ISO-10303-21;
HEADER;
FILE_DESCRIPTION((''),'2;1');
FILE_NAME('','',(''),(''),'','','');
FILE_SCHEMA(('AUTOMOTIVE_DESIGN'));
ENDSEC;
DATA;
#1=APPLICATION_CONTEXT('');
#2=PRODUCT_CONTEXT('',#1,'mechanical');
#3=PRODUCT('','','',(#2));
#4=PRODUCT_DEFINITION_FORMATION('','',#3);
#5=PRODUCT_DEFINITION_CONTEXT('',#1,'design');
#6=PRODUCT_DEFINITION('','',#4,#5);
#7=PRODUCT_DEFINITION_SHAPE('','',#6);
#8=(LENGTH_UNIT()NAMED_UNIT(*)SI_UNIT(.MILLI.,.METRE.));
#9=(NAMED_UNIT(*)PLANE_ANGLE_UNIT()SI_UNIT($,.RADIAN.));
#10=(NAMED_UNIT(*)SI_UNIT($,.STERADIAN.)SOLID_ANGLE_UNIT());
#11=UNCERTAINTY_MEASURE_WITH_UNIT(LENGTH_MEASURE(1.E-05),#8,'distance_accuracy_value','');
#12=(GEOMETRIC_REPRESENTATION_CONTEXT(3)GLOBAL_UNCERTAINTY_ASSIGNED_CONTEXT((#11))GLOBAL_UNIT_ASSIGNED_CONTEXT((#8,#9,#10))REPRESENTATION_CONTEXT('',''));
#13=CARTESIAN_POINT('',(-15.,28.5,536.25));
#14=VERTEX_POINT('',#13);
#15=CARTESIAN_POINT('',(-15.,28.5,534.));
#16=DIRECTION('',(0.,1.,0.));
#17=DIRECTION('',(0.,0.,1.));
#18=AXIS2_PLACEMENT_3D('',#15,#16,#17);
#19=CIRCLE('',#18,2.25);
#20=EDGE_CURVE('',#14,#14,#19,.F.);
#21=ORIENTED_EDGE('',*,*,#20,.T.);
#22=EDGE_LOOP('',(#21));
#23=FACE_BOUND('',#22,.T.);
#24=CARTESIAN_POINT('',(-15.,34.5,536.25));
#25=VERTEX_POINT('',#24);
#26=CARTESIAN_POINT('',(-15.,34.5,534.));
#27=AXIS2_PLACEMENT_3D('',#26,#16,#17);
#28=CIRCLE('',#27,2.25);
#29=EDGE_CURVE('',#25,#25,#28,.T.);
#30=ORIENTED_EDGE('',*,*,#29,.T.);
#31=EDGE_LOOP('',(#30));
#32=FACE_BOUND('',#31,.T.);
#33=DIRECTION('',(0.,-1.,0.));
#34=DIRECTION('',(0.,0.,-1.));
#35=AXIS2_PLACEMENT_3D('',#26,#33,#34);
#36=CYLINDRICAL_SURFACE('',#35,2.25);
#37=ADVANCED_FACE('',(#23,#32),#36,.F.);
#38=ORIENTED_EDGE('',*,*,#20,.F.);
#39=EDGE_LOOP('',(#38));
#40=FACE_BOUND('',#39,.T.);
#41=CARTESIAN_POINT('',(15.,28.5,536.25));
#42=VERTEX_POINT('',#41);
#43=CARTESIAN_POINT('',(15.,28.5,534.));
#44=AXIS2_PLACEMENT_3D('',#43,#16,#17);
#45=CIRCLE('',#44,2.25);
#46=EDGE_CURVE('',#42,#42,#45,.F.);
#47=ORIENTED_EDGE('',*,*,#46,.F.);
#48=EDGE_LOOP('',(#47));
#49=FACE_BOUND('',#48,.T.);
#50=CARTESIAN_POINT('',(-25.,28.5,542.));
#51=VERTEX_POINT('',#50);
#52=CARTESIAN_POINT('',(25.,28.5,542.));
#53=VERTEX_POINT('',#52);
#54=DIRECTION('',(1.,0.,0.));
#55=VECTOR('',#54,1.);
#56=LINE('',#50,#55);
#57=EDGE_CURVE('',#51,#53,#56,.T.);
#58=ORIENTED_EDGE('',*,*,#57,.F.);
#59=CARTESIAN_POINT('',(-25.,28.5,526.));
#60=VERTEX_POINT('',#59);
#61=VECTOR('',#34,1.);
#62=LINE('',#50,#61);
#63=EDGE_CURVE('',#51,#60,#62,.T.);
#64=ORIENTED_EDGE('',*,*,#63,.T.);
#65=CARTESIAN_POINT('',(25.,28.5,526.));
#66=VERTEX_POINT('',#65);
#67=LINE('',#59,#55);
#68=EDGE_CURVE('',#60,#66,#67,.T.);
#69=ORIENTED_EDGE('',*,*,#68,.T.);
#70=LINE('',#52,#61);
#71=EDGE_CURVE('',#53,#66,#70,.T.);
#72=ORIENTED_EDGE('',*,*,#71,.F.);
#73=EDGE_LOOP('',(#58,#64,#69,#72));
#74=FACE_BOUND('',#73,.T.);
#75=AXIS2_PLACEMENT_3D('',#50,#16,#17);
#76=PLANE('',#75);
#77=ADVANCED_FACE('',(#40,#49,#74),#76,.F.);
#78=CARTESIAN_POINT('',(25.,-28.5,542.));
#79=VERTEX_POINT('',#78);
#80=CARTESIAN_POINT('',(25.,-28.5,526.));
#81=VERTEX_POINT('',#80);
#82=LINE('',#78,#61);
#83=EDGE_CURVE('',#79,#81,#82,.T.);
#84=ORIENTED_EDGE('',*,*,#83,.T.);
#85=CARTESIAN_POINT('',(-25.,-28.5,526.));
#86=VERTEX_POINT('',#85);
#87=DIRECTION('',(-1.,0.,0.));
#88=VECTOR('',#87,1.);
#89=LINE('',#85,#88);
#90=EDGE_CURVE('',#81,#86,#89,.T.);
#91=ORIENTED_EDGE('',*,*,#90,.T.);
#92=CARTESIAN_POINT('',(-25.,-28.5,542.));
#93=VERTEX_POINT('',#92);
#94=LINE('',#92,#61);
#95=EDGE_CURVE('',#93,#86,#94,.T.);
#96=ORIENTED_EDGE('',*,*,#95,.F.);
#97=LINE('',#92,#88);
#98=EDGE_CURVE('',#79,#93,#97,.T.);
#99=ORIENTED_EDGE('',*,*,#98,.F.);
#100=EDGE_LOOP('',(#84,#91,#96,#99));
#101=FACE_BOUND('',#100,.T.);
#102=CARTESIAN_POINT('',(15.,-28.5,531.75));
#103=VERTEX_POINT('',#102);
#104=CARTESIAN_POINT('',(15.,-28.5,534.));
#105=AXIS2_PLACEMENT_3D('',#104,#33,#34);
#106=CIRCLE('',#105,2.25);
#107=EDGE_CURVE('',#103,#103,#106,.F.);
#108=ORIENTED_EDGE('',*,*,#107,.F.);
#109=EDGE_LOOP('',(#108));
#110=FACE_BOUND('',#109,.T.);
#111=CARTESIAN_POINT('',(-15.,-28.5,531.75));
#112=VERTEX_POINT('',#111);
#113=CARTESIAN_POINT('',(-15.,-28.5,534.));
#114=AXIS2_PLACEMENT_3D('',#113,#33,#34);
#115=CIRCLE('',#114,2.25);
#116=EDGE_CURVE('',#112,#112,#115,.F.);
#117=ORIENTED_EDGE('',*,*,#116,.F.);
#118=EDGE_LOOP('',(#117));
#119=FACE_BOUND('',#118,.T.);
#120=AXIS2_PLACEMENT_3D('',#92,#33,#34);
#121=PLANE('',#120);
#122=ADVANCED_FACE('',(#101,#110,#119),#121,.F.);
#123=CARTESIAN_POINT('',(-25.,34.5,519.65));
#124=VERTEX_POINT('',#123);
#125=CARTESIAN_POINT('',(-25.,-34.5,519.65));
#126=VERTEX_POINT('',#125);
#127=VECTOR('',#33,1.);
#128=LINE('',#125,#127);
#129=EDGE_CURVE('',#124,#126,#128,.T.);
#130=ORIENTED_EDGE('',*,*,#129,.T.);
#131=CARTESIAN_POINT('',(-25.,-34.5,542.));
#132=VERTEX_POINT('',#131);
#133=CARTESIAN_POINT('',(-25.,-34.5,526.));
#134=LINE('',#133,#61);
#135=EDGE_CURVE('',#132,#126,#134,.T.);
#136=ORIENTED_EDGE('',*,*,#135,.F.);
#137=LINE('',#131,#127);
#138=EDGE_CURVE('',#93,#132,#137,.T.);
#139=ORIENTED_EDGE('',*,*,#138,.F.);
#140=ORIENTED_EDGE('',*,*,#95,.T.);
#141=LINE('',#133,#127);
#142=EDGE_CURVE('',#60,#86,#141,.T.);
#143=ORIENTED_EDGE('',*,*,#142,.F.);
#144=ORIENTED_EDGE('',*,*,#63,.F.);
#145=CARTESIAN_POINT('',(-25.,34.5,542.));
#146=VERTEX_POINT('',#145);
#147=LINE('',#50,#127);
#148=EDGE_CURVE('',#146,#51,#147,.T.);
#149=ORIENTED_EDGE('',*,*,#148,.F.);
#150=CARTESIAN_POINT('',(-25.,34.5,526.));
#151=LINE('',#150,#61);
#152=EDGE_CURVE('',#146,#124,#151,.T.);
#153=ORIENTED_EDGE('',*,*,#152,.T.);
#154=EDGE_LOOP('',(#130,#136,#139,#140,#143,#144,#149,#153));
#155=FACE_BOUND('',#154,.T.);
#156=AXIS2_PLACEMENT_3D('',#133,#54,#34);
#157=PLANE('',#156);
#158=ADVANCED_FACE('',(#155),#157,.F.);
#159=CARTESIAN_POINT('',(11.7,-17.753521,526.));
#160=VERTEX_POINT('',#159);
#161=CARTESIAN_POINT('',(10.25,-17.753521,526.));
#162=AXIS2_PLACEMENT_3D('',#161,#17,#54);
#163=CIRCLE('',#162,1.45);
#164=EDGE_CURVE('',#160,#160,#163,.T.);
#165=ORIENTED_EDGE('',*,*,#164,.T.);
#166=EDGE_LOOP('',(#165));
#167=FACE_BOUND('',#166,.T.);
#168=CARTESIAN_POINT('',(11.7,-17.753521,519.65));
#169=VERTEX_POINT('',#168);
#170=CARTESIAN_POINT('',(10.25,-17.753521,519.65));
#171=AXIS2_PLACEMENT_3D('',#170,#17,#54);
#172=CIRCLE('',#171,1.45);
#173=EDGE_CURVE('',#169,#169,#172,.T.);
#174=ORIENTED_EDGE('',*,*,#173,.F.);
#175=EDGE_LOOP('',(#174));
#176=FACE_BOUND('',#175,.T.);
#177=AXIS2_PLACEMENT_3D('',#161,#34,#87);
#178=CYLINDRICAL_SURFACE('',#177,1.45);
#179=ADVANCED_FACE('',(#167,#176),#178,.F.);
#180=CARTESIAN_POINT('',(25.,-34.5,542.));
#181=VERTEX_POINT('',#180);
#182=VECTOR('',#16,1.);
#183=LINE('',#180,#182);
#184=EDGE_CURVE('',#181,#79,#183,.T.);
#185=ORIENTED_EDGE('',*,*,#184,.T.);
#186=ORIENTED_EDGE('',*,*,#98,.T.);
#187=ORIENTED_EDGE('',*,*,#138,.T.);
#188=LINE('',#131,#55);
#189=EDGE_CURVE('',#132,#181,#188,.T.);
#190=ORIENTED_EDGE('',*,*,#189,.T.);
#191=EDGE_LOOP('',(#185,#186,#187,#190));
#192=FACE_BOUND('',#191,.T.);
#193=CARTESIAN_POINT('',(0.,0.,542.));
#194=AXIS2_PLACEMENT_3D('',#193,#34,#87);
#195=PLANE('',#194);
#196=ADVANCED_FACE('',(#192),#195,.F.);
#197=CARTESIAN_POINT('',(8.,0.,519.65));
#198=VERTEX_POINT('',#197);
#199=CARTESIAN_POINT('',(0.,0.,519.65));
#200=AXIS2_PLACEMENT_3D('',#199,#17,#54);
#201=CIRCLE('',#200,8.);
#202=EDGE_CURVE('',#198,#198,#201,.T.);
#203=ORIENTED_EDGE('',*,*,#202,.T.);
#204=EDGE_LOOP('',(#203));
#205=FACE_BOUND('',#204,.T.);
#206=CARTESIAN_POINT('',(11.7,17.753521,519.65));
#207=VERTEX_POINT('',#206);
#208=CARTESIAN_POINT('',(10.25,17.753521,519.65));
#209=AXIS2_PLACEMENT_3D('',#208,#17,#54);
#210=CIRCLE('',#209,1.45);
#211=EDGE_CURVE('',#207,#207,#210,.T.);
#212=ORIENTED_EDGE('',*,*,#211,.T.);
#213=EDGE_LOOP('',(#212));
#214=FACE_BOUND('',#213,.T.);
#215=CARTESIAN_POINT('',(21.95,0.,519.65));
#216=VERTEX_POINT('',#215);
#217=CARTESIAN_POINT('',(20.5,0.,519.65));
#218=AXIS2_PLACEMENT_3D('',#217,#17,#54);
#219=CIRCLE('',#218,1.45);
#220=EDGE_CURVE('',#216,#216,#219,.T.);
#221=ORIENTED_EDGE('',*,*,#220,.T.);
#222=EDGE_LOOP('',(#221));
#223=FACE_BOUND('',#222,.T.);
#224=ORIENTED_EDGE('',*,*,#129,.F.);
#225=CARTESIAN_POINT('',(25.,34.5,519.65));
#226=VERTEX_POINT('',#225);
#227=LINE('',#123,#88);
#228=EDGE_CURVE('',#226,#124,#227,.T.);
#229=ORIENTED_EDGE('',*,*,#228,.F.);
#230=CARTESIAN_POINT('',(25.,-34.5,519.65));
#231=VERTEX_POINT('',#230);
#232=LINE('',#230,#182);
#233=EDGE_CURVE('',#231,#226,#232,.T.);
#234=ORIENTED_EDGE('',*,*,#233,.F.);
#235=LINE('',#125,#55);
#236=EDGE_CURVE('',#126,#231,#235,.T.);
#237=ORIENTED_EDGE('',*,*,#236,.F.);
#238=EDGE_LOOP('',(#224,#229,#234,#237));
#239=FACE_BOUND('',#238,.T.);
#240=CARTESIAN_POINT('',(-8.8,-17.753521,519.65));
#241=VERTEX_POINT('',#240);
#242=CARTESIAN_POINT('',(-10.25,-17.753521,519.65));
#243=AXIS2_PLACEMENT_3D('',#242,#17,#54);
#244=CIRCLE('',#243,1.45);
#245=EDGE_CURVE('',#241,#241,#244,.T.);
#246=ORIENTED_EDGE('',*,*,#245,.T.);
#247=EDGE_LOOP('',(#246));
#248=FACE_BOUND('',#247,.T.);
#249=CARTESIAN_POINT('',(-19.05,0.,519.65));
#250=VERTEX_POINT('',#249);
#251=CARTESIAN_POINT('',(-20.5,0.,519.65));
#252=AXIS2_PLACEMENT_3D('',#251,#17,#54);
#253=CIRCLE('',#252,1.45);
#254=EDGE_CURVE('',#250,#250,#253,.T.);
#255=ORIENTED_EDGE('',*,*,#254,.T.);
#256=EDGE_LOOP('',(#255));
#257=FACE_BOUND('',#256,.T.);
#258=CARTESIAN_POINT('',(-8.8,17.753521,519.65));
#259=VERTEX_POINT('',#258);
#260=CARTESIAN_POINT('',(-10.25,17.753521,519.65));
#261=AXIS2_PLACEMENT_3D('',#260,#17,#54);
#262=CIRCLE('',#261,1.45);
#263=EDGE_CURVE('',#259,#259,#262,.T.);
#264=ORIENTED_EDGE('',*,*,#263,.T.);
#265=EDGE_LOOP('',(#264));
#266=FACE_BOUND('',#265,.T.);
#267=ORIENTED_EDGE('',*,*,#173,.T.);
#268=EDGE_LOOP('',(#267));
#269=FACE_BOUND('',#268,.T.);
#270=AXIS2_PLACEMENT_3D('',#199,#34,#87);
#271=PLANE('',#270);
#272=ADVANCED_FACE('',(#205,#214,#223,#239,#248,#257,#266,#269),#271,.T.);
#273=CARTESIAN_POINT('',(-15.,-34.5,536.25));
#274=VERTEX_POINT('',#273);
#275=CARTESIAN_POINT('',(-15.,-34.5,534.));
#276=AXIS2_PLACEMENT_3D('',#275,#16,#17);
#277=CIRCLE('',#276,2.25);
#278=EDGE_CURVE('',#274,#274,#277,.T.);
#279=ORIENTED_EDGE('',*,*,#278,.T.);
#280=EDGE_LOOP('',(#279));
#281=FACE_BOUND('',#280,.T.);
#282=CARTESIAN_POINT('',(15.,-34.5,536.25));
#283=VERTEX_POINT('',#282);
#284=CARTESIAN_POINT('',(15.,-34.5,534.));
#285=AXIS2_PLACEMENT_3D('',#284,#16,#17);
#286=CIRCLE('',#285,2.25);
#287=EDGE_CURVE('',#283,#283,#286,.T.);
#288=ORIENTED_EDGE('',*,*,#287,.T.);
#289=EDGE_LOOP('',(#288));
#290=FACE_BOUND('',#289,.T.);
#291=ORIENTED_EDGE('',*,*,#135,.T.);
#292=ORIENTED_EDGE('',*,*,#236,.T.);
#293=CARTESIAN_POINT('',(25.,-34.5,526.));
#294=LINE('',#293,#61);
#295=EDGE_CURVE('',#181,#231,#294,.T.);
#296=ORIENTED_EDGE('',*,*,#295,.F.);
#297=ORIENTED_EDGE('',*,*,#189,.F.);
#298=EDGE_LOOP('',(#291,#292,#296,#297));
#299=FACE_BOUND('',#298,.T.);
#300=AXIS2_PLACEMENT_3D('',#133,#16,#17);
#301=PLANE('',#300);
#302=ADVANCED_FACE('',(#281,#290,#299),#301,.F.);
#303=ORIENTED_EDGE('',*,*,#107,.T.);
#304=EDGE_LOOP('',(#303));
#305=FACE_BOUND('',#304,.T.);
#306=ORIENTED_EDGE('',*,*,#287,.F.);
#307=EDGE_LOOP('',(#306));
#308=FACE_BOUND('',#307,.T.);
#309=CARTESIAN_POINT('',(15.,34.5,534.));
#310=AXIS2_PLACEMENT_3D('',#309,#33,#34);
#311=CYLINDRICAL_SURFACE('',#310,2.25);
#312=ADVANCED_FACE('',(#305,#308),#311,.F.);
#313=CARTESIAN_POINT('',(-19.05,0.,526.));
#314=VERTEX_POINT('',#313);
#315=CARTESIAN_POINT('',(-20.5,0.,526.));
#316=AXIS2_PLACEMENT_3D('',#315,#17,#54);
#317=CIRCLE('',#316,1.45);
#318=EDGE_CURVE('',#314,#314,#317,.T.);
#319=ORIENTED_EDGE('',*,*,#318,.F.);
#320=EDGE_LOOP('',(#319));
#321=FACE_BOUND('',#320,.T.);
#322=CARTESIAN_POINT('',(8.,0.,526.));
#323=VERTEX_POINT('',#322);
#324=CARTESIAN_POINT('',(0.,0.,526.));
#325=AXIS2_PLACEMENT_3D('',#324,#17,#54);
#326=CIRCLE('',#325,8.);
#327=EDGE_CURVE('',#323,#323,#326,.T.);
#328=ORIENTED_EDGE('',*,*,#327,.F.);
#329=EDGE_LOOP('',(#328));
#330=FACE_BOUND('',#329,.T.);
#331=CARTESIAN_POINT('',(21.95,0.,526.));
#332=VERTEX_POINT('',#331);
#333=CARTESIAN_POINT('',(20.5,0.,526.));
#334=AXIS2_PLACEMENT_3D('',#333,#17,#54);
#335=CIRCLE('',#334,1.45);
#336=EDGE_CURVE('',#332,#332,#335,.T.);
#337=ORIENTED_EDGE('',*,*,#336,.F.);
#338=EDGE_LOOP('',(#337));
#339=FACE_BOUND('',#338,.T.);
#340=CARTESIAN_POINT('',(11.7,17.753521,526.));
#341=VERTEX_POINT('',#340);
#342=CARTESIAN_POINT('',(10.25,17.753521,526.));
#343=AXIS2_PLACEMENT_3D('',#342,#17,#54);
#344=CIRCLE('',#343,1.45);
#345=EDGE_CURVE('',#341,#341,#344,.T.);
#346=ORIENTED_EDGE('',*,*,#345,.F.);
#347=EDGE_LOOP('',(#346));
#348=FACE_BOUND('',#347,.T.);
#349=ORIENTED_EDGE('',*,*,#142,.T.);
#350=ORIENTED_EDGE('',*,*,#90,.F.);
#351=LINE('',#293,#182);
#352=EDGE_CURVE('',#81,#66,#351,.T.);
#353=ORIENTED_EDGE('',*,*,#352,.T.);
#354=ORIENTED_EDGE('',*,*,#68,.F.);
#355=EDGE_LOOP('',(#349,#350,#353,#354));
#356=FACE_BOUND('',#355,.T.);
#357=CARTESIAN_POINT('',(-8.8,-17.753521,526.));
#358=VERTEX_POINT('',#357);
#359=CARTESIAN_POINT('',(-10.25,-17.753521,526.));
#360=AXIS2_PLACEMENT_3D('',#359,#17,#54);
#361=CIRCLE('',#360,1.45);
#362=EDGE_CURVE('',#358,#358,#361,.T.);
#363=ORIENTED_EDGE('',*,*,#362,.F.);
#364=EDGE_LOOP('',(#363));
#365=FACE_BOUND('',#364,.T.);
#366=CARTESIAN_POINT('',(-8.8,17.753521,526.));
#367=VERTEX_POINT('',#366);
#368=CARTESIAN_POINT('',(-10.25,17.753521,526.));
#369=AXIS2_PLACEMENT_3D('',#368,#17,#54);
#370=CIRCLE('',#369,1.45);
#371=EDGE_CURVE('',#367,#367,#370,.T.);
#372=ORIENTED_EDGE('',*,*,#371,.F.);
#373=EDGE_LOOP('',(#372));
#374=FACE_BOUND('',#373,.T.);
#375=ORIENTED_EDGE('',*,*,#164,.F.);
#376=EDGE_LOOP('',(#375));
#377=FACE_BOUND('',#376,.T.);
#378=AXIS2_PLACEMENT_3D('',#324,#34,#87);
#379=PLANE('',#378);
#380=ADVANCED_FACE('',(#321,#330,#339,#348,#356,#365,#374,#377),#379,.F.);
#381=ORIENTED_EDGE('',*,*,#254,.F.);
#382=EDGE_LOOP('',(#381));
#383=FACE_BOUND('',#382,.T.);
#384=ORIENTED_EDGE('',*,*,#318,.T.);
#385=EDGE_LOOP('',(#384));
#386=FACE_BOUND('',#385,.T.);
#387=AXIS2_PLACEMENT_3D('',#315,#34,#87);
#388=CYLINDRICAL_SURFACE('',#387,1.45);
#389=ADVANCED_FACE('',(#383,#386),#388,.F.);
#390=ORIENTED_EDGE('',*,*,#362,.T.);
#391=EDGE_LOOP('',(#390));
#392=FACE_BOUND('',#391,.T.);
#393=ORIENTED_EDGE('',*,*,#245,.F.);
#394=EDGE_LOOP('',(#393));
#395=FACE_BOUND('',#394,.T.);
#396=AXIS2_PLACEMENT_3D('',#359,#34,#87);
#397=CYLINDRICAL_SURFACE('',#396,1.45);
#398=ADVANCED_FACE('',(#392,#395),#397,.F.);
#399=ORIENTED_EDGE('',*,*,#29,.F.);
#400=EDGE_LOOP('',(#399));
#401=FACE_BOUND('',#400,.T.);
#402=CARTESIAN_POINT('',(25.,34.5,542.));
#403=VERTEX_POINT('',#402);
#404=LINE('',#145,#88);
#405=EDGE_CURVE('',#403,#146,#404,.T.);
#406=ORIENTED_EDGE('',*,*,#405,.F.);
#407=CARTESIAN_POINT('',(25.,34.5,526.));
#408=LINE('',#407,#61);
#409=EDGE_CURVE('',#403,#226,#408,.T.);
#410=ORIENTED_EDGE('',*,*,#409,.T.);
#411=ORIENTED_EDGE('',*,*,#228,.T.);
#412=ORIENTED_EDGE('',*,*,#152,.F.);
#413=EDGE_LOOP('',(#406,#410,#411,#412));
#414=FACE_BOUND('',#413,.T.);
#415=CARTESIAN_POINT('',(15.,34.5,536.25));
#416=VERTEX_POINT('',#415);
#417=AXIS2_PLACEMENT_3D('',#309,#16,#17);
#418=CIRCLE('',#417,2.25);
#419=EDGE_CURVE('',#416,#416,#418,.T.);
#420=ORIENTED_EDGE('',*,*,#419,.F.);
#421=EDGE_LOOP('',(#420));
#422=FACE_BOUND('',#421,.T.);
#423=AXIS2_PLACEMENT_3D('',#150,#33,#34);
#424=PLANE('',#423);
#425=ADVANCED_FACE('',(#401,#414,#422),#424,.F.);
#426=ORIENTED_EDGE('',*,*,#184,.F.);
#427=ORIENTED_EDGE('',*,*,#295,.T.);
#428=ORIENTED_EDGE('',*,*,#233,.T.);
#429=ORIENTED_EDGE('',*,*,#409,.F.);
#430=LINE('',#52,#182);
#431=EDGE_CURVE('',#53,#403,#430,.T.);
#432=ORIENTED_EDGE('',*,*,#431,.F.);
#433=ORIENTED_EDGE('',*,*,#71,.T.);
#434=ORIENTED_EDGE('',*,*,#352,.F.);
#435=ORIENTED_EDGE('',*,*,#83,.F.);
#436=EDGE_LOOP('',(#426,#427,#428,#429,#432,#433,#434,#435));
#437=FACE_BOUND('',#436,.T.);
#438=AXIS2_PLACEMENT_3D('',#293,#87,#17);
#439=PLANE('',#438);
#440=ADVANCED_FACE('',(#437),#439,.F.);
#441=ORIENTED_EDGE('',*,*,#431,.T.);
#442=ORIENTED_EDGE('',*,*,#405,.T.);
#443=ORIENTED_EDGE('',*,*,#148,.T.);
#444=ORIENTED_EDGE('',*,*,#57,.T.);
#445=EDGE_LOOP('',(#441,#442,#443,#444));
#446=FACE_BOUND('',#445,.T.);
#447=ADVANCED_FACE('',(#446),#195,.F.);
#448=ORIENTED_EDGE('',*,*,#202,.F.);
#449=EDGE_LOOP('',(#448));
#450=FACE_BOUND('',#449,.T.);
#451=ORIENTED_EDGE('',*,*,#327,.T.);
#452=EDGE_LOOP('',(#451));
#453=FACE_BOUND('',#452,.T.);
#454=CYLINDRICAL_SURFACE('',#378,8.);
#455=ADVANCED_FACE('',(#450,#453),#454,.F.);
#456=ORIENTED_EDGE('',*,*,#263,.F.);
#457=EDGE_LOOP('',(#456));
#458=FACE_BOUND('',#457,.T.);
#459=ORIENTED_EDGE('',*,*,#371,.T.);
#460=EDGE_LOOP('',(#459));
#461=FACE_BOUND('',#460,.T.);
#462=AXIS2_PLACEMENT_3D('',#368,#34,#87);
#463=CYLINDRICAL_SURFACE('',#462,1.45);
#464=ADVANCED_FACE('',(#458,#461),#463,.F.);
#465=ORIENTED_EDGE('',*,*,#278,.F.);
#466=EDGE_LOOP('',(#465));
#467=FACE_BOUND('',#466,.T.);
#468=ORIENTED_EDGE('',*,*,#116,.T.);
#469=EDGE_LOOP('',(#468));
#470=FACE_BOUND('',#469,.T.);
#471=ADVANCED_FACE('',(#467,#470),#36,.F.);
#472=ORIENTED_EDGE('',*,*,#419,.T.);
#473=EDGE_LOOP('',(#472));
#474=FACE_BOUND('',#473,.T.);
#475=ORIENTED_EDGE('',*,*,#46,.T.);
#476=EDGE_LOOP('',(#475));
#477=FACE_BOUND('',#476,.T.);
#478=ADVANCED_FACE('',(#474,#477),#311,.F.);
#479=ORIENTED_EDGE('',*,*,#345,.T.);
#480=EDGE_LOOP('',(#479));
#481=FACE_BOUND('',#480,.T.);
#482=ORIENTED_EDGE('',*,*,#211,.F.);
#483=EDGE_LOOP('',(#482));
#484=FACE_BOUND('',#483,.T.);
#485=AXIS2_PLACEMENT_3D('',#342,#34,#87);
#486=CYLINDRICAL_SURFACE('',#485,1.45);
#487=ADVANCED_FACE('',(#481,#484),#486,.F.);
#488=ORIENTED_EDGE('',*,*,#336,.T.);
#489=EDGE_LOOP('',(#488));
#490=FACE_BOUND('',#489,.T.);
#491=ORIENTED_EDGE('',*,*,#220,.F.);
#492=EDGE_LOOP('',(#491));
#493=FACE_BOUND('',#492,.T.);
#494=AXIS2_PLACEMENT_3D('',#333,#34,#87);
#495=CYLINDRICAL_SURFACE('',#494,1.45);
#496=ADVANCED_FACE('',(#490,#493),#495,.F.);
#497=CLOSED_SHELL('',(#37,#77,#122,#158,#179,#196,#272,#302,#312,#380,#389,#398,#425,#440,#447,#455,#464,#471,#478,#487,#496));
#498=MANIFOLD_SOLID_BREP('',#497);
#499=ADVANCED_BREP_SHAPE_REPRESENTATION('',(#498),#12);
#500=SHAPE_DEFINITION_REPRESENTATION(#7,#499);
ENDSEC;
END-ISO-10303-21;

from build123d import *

# Parameters (mm, degrees)
REPISA_START                   = 519.65
SK_REPISA_W                    = 50
SK_REPISA_H                    = 69
REPISA_DEPTH                   = 6.35
CENTRO_MOTOR_START             = 519.65
SK_CENTRO_MOTOR_R              = 8
CENTRO_MOTOR_DEPTH             = 6.35
PASANTES_M2_5_ESTATOR_J6_START = 519.65
SK_PASANTES_M2_5_ESTATOR_J6_R  = 1.45
PASANTES_M2_5_ESTATOR_J6_DEPTH = 6.35
PESTANAS_START                 = 526
SK_PESTANAS_W                  = 50
SK_PESTANAS_H                  = 6
PESTANAS_DEPTH                 = 16
PASANTES_M4_PESTANAS_START     = -34.5
SK_PASANTES_M4_PESTANAS_R      = 2.25
PASANTES_M4_PESTANAS_DEPTH     = 69


with BuildPart() as part:
    # Sk_Repisa → Repisa (new body)
    with BuildSketch(Plane.XY.offset(REPISA_START)):
        Rectangle(SK_REPISA_W, SK_REPISA_H)
    extrude(amount=REPISA_DEPTH)

    # Sk_Centro_motor → Centro_motor (cut)
    with BuildSketch(Plane.XY.offset(CENTRO_MOTOR_START)):
        Circle(SK_CENTRO_MOTOR_R)
    extrude(amount=CENTRO_MOTOR_DEPTH, mode=Mode.SUBTRACT)

    # Sk_Pasantes_M2-5_estator_J6 → Pasantes_M2-5_estator_J6 (cut)
    with BuildSketch(Plane.XY.offset(PASANTES_M2_5_ESTATOR_J6_START)):
        with Locations((20.5, 0)):
            Circle(SK_PASANTES_M2_5_ESTATOR_J6_R)
        with Locations((10.25, 17.753520778)):
            Circle(SK_PASANTES_M2_5_ESTATOR_J6_R)
        with Locations((-10.25, 17.753520778)):
            Circle(SK_PASANTES_M2_5_ESTATOR_J6_R)
        with Locations((-20.5, 0)):
            Circle(SK_PASANTES_M2_5_ESTATOR_J6_R)
        with Locations((-10.25, -17.753520778)):
            Circle(SK_PASANTES_M2_5_ESTATOR_J6_R)
        with Locations((10.25, -17.753520778)):
            Circle(SK_PASANTES_M2_5_ESTATOR_J6_R)
    extrude(amount=PASANTES_M2_5_ESTATOR_J6_DEPTH, mode=Mode.SUBTRACT)

    # Sk_Pestanas → Pestanas (add)
    with BuildSketch(Plane.XY.offset(PESTANAS_START)):
        with Locations((0, 31.5)):
            Rectangle(SK_PESTANAS_W, SK_PESTANAS_H)
        with Locations((0, -31.5)):
            Rectangle(SK_PESTANAS_W, SK_PESTANAS_H)
    extrude(amount=PESTANAS_DEPTH)

    # Sk_Pasantes_M4_pestanas → Pasantes_M4_pestanas (cut)
    with BuildSketch(Plane(origin=(0, 0, 0), x_dir=(1, 0, 0), z_dir=(0, 1, 0)).offset(PASANTES_M4_PESTANAS_START)):
        with Locations(Location((-15, -534, 0), (0, 0, 270))):
            Circle(SK_PASANTES_M4_PESTANAS_R)
        with Locations(Location((15, -534, 0), (0, 0, 270))):
            Circle(SK_PASANTES_M4_PESTANAS_R)
    extrude(amount=PASANTES_M4_PESTANAS_DEPTH, mode=Mode.SUBTRACT)


solid = part.part
